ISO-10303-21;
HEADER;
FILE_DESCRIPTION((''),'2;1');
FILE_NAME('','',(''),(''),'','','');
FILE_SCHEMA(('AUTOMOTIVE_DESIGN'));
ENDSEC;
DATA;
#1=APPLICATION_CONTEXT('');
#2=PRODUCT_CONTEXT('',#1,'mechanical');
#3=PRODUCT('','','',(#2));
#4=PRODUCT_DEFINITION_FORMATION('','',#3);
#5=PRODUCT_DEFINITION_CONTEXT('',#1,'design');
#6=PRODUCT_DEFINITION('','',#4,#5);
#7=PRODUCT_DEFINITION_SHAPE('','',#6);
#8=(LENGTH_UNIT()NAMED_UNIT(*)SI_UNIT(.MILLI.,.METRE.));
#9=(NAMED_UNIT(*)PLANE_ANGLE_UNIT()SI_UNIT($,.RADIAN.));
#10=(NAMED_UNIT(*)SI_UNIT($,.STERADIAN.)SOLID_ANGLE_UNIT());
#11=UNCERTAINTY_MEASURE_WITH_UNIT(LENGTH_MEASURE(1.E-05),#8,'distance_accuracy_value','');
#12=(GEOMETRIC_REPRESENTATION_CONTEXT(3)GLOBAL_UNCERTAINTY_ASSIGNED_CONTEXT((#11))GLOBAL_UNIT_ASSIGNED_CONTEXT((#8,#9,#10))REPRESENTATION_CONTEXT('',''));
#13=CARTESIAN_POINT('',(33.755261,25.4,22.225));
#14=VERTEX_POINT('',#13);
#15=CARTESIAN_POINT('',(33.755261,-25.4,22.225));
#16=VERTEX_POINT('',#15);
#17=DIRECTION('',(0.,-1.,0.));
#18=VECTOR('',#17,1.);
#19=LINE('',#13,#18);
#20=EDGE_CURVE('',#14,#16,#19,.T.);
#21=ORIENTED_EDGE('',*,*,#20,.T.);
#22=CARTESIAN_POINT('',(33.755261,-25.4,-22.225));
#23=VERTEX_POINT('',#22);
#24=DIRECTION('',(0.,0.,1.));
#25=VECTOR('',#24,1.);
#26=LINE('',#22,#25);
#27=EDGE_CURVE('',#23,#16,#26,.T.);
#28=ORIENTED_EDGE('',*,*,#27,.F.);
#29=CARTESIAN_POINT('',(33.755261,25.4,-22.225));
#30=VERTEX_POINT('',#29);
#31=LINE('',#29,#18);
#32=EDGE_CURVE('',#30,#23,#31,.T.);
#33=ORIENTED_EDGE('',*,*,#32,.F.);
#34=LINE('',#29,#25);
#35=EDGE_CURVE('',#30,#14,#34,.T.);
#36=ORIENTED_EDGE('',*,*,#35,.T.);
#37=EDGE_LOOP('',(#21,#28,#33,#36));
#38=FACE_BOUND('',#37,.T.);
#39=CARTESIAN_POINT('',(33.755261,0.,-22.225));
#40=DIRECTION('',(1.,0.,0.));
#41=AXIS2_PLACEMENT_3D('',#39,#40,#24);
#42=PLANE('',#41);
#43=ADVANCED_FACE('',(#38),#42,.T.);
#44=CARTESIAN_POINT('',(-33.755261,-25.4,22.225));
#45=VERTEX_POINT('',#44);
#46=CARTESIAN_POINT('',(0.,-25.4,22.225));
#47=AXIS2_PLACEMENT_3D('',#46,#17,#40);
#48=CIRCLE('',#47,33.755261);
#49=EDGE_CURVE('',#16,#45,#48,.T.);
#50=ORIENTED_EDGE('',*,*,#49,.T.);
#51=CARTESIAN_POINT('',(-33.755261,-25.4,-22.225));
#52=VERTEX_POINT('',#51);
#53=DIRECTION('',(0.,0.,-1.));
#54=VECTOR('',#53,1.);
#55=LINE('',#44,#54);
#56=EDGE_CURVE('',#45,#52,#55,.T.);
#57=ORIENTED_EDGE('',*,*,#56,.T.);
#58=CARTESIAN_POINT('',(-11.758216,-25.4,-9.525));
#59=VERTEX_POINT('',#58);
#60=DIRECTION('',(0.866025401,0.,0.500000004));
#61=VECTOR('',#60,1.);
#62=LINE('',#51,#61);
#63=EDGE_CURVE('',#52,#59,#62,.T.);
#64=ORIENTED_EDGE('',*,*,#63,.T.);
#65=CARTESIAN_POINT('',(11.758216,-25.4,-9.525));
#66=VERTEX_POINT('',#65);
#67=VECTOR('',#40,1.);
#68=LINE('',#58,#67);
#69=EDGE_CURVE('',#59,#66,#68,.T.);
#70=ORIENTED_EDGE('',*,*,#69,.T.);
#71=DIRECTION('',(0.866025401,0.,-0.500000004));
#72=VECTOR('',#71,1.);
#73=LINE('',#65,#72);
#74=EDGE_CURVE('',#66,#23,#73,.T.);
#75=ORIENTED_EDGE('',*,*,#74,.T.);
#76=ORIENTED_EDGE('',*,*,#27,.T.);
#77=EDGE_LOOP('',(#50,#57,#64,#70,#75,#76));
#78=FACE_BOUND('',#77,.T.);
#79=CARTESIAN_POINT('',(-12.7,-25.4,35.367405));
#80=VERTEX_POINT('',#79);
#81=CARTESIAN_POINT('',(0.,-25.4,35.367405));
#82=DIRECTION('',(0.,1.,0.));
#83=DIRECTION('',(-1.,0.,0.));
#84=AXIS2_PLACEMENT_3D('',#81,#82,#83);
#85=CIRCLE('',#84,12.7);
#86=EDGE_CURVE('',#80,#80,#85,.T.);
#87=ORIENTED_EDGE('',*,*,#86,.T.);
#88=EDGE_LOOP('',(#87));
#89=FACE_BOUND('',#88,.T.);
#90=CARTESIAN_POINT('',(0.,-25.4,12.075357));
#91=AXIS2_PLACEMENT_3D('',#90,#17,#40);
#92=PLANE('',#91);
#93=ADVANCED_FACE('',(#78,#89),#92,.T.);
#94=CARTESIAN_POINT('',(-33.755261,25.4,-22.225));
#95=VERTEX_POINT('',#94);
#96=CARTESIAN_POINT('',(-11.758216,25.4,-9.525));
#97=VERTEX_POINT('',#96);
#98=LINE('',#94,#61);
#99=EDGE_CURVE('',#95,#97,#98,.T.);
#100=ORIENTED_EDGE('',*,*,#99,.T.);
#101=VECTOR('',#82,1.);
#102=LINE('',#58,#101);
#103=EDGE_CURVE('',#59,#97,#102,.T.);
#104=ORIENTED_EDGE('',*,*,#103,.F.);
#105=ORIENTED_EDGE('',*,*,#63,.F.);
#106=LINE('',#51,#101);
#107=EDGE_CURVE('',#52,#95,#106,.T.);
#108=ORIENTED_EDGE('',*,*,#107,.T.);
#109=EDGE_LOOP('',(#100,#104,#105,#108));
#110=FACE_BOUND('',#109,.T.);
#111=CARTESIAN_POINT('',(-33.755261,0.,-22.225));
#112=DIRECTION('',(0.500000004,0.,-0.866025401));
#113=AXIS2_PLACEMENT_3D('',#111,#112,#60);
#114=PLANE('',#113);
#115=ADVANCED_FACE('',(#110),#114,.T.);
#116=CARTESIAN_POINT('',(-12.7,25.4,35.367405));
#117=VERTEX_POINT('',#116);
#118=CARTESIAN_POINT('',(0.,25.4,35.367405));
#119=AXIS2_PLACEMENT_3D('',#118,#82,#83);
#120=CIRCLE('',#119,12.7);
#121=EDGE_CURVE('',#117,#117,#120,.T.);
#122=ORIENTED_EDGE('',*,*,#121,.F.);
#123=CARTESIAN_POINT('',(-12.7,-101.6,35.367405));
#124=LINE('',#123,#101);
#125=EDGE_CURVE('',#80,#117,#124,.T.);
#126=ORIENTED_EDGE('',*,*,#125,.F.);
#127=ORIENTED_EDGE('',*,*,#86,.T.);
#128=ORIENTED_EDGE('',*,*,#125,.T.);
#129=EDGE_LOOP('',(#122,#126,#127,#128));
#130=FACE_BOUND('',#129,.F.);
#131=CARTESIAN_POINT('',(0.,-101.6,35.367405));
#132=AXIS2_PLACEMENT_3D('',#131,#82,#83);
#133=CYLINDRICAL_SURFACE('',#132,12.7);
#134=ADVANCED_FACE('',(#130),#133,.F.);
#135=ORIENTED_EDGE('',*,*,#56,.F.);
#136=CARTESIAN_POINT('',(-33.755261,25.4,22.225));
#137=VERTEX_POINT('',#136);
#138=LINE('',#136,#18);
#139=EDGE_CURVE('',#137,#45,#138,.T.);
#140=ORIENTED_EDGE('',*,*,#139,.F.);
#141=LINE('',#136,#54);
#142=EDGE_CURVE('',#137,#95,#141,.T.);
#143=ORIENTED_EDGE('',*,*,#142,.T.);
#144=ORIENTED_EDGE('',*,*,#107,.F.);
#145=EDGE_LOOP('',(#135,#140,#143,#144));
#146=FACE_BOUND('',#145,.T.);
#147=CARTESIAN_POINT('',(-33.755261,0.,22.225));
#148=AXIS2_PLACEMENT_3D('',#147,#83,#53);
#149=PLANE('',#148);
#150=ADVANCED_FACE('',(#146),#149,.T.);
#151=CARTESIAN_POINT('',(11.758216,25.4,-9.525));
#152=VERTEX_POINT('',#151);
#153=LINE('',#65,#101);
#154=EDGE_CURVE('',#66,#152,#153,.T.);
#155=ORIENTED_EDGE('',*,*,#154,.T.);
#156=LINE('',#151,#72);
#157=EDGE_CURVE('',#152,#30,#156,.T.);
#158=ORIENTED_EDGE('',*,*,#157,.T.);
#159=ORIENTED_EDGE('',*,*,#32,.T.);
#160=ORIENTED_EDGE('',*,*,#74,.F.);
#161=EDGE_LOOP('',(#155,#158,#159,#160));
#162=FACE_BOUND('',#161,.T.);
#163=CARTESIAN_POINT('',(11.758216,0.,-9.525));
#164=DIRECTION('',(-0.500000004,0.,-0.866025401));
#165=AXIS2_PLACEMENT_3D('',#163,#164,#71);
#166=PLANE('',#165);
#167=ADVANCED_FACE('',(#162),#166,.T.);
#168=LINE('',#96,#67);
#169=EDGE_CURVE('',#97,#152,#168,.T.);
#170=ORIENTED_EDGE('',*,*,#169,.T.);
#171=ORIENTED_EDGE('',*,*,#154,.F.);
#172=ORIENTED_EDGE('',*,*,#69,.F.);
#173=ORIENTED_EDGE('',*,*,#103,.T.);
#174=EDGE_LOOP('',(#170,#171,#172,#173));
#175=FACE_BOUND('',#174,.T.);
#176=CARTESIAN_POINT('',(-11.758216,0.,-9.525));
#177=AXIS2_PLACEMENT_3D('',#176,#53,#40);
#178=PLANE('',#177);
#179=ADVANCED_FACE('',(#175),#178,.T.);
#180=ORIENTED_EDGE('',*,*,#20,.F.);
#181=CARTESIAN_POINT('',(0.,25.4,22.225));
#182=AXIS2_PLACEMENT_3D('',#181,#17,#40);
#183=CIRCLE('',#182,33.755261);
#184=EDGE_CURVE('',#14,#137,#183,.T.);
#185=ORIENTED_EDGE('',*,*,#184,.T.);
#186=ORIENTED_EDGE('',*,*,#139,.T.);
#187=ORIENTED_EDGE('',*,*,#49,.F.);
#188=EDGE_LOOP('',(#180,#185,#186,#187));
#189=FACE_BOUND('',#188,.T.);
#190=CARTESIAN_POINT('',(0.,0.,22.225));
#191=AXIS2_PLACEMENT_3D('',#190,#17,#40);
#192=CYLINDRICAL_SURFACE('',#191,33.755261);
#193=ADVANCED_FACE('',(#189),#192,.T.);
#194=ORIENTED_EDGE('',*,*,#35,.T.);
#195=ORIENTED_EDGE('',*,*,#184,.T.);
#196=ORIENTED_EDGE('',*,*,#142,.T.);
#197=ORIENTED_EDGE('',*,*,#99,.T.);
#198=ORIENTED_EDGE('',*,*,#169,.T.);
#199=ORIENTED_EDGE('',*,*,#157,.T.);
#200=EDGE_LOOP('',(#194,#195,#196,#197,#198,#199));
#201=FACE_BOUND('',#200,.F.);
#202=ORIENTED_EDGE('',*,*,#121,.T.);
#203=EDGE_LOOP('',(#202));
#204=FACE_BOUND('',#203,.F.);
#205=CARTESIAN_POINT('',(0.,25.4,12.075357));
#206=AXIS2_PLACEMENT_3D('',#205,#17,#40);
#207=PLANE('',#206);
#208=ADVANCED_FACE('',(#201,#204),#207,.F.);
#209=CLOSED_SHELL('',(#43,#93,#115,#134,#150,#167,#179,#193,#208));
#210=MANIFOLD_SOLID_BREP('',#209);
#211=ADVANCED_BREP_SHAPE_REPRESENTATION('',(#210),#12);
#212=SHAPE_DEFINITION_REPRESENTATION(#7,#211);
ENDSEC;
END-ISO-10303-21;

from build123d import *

# Parameters (mm, degrees)
F1_DEPTH = 25.4
F3_D     = 25.4
F3_DEPTH = 76.2


with BuildPart() as f1:
    # F0 (on Front) → F1 (new body, symmetric)
    with BuildSketch(Plane.XZ):
        with BuildLine():
            Line((11.758216, -9.525), (33.755261, -22.225))
            Line((33.755261, -22.225), (33.755261, 22.225))
            ThreePointArc((33.755261, 22.225), (0, 55.980261), (-33.755261, 22.225))
            Line((-33.755261, 22.225), (-33.755261, -22.225))
            Line((-33.755261, -22.225), (-11.758216, -9.525))
            Line((-11.758216, -9.525), (11.758216, -9.525))
        make_face()
    extrude(amount=F1_DEPTH, both=True)

    # F3
    with Locations(Plane.XZ.offset(25.4)):
        with Locations((0, 35.367405)):
            Hole(F3_D / 2, depth=F3_DEPTH)


solid = f1.part
